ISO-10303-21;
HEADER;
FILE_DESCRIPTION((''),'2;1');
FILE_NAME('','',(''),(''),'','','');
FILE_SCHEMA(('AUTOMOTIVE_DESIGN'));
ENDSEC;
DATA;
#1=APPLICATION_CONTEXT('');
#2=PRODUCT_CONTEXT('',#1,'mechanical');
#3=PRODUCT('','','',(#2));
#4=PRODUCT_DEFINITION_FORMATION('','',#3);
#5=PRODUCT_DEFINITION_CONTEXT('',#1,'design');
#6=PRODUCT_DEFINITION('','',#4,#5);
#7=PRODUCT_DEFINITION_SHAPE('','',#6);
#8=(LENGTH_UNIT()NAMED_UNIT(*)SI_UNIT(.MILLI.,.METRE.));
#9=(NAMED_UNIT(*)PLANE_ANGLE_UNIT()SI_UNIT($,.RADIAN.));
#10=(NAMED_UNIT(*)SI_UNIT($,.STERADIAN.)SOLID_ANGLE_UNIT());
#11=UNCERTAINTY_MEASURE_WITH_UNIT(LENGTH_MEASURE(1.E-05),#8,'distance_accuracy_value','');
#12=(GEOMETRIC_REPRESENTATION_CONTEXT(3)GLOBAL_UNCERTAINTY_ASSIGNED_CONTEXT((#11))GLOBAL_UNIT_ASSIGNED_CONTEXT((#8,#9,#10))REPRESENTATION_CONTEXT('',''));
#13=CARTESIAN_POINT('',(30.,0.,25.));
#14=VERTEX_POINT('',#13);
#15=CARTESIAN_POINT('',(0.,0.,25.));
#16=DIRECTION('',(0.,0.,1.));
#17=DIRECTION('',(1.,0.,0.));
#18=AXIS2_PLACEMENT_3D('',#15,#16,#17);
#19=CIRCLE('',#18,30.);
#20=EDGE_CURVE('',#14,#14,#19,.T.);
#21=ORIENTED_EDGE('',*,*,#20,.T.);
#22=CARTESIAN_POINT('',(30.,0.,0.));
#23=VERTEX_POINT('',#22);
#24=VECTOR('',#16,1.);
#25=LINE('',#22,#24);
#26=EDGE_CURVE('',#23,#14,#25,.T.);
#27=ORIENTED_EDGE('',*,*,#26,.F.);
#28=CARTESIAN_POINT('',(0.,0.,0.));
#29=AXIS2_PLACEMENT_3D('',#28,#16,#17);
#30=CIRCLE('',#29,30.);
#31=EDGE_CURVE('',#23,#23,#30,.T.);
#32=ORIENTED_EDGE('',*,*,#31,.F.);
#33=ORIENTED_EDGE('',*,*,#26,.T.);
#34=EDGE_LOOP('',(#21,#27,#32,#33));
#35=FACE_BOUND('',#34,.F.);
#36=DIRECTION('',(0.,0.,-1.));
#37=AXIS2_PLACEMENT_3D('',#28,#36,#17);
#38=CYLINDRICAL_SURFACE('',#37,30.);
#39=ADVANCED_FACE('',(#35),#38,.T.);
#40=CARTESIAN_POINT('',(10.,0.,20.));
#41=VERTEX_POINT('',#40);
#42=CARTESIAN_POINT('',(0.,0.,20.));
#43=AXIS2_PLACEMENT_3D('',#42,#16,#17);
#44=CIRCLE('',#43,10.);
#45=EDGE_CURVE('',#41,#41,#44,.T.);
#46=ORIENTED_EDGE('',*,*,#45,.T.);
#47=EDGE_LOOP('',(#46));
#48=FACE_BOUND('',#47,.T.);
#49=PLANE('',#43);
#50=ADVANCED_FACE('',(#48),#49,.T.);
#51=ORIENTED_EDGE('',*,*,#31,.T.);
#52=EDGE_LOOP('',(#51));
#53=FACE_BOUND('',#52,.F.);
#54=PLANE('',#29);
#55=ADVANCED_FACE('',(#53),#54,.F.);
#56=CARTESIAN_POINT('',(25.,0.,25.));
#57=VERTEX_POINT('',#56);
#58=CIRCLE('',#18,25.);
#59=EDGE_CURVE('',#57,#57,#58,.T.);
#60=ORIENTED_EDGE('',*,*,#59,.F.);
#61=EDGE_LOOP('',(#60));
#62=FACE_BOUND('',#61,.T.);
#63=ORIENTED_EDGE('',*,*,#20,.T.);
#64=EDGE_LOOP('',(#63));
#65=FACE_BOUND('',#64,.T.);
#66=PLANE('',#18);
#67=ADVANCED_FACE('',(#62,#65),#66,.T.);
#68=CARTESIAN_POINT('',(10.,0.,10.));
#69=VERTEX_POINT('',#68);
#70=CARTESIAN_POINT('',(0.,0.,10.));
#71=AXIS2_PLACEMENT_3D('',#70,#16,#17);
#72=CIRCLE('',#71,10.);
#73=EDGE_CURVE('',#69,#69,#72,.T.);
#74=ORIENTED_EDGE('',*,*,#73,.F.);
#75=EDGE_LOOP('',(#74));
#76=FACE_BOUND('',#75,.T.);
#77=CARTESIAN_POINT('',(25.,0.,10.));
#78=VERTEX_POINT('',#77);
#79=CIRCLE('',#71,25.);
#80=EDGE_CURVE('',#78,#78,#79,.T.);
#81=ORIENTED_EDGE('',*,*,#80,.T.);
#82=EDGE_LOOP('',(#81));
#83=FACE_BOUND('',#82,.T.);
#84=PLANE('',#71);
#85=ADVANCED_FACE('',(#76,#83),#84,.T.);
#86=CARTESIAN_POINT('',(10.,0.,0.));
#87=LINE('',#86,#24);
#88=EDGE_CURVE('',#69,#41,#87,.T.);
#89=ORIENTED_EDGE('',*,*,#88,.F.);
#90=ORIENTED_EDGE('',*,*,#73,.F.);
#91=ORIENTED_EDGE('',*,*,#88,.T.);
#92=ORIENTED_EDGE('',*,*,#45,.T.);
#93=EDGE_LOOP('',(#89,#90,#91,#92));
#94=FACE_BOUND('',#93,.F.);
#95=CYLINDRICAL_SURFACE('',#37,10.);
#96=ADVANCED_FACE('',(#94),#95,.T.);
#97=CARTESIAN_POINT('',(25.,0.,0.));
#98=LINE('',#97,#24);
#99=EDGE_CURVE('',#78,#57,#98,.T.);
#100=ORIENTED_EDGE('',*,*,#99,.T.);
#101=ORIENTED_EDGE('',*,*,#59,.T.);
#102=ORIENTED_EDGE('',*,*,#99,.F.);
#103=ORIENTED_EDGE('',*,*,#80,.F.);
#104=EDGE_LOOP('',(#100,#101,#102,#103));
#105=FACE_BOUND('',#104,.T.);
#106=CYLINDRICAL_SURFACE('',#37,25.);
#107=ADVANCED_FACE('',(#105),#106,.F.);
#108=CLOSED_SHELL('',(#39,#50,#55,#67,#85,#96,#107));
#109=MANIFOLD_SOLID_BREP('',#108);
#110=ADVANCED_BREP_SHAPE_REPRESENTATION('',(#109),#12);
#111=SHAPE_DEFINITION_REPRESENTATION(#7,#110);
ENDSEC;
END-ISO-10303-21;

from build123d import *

# Parameters (mm, degrees)
F0_R     = 30
F0_R_2   = 25
F1_DEPTH = 25
F2_R     = 25
F2_R_2   = 10
F3_DEPTH = 10
F4_DEPTH = 20


with BuildPart() as f1:
    # F0 (on Top) → F1 (new body)
    with BuildSketch(Plane.XY):
        Circle(F0_R)
        Circle(F0_R_2, mode=Mode.SUBTRACT)
    extrude(amount=F1_DEPTH)

    # F2 (on Top) → F3 (join)
    with BuildSketch(Plane.XY):
        Circle(F2_R)
        Circle(F2_R_2, mode=Mode.SUBTRACT)
    extrude(amount=F3_DEPTH)

    # F2 (on Top) → F4 (join)
    with BuildSketch(Plane.XY):
        Circle(F2_R_2)
    extrude(amount=F4_DEPTH)


solid = f1.part
